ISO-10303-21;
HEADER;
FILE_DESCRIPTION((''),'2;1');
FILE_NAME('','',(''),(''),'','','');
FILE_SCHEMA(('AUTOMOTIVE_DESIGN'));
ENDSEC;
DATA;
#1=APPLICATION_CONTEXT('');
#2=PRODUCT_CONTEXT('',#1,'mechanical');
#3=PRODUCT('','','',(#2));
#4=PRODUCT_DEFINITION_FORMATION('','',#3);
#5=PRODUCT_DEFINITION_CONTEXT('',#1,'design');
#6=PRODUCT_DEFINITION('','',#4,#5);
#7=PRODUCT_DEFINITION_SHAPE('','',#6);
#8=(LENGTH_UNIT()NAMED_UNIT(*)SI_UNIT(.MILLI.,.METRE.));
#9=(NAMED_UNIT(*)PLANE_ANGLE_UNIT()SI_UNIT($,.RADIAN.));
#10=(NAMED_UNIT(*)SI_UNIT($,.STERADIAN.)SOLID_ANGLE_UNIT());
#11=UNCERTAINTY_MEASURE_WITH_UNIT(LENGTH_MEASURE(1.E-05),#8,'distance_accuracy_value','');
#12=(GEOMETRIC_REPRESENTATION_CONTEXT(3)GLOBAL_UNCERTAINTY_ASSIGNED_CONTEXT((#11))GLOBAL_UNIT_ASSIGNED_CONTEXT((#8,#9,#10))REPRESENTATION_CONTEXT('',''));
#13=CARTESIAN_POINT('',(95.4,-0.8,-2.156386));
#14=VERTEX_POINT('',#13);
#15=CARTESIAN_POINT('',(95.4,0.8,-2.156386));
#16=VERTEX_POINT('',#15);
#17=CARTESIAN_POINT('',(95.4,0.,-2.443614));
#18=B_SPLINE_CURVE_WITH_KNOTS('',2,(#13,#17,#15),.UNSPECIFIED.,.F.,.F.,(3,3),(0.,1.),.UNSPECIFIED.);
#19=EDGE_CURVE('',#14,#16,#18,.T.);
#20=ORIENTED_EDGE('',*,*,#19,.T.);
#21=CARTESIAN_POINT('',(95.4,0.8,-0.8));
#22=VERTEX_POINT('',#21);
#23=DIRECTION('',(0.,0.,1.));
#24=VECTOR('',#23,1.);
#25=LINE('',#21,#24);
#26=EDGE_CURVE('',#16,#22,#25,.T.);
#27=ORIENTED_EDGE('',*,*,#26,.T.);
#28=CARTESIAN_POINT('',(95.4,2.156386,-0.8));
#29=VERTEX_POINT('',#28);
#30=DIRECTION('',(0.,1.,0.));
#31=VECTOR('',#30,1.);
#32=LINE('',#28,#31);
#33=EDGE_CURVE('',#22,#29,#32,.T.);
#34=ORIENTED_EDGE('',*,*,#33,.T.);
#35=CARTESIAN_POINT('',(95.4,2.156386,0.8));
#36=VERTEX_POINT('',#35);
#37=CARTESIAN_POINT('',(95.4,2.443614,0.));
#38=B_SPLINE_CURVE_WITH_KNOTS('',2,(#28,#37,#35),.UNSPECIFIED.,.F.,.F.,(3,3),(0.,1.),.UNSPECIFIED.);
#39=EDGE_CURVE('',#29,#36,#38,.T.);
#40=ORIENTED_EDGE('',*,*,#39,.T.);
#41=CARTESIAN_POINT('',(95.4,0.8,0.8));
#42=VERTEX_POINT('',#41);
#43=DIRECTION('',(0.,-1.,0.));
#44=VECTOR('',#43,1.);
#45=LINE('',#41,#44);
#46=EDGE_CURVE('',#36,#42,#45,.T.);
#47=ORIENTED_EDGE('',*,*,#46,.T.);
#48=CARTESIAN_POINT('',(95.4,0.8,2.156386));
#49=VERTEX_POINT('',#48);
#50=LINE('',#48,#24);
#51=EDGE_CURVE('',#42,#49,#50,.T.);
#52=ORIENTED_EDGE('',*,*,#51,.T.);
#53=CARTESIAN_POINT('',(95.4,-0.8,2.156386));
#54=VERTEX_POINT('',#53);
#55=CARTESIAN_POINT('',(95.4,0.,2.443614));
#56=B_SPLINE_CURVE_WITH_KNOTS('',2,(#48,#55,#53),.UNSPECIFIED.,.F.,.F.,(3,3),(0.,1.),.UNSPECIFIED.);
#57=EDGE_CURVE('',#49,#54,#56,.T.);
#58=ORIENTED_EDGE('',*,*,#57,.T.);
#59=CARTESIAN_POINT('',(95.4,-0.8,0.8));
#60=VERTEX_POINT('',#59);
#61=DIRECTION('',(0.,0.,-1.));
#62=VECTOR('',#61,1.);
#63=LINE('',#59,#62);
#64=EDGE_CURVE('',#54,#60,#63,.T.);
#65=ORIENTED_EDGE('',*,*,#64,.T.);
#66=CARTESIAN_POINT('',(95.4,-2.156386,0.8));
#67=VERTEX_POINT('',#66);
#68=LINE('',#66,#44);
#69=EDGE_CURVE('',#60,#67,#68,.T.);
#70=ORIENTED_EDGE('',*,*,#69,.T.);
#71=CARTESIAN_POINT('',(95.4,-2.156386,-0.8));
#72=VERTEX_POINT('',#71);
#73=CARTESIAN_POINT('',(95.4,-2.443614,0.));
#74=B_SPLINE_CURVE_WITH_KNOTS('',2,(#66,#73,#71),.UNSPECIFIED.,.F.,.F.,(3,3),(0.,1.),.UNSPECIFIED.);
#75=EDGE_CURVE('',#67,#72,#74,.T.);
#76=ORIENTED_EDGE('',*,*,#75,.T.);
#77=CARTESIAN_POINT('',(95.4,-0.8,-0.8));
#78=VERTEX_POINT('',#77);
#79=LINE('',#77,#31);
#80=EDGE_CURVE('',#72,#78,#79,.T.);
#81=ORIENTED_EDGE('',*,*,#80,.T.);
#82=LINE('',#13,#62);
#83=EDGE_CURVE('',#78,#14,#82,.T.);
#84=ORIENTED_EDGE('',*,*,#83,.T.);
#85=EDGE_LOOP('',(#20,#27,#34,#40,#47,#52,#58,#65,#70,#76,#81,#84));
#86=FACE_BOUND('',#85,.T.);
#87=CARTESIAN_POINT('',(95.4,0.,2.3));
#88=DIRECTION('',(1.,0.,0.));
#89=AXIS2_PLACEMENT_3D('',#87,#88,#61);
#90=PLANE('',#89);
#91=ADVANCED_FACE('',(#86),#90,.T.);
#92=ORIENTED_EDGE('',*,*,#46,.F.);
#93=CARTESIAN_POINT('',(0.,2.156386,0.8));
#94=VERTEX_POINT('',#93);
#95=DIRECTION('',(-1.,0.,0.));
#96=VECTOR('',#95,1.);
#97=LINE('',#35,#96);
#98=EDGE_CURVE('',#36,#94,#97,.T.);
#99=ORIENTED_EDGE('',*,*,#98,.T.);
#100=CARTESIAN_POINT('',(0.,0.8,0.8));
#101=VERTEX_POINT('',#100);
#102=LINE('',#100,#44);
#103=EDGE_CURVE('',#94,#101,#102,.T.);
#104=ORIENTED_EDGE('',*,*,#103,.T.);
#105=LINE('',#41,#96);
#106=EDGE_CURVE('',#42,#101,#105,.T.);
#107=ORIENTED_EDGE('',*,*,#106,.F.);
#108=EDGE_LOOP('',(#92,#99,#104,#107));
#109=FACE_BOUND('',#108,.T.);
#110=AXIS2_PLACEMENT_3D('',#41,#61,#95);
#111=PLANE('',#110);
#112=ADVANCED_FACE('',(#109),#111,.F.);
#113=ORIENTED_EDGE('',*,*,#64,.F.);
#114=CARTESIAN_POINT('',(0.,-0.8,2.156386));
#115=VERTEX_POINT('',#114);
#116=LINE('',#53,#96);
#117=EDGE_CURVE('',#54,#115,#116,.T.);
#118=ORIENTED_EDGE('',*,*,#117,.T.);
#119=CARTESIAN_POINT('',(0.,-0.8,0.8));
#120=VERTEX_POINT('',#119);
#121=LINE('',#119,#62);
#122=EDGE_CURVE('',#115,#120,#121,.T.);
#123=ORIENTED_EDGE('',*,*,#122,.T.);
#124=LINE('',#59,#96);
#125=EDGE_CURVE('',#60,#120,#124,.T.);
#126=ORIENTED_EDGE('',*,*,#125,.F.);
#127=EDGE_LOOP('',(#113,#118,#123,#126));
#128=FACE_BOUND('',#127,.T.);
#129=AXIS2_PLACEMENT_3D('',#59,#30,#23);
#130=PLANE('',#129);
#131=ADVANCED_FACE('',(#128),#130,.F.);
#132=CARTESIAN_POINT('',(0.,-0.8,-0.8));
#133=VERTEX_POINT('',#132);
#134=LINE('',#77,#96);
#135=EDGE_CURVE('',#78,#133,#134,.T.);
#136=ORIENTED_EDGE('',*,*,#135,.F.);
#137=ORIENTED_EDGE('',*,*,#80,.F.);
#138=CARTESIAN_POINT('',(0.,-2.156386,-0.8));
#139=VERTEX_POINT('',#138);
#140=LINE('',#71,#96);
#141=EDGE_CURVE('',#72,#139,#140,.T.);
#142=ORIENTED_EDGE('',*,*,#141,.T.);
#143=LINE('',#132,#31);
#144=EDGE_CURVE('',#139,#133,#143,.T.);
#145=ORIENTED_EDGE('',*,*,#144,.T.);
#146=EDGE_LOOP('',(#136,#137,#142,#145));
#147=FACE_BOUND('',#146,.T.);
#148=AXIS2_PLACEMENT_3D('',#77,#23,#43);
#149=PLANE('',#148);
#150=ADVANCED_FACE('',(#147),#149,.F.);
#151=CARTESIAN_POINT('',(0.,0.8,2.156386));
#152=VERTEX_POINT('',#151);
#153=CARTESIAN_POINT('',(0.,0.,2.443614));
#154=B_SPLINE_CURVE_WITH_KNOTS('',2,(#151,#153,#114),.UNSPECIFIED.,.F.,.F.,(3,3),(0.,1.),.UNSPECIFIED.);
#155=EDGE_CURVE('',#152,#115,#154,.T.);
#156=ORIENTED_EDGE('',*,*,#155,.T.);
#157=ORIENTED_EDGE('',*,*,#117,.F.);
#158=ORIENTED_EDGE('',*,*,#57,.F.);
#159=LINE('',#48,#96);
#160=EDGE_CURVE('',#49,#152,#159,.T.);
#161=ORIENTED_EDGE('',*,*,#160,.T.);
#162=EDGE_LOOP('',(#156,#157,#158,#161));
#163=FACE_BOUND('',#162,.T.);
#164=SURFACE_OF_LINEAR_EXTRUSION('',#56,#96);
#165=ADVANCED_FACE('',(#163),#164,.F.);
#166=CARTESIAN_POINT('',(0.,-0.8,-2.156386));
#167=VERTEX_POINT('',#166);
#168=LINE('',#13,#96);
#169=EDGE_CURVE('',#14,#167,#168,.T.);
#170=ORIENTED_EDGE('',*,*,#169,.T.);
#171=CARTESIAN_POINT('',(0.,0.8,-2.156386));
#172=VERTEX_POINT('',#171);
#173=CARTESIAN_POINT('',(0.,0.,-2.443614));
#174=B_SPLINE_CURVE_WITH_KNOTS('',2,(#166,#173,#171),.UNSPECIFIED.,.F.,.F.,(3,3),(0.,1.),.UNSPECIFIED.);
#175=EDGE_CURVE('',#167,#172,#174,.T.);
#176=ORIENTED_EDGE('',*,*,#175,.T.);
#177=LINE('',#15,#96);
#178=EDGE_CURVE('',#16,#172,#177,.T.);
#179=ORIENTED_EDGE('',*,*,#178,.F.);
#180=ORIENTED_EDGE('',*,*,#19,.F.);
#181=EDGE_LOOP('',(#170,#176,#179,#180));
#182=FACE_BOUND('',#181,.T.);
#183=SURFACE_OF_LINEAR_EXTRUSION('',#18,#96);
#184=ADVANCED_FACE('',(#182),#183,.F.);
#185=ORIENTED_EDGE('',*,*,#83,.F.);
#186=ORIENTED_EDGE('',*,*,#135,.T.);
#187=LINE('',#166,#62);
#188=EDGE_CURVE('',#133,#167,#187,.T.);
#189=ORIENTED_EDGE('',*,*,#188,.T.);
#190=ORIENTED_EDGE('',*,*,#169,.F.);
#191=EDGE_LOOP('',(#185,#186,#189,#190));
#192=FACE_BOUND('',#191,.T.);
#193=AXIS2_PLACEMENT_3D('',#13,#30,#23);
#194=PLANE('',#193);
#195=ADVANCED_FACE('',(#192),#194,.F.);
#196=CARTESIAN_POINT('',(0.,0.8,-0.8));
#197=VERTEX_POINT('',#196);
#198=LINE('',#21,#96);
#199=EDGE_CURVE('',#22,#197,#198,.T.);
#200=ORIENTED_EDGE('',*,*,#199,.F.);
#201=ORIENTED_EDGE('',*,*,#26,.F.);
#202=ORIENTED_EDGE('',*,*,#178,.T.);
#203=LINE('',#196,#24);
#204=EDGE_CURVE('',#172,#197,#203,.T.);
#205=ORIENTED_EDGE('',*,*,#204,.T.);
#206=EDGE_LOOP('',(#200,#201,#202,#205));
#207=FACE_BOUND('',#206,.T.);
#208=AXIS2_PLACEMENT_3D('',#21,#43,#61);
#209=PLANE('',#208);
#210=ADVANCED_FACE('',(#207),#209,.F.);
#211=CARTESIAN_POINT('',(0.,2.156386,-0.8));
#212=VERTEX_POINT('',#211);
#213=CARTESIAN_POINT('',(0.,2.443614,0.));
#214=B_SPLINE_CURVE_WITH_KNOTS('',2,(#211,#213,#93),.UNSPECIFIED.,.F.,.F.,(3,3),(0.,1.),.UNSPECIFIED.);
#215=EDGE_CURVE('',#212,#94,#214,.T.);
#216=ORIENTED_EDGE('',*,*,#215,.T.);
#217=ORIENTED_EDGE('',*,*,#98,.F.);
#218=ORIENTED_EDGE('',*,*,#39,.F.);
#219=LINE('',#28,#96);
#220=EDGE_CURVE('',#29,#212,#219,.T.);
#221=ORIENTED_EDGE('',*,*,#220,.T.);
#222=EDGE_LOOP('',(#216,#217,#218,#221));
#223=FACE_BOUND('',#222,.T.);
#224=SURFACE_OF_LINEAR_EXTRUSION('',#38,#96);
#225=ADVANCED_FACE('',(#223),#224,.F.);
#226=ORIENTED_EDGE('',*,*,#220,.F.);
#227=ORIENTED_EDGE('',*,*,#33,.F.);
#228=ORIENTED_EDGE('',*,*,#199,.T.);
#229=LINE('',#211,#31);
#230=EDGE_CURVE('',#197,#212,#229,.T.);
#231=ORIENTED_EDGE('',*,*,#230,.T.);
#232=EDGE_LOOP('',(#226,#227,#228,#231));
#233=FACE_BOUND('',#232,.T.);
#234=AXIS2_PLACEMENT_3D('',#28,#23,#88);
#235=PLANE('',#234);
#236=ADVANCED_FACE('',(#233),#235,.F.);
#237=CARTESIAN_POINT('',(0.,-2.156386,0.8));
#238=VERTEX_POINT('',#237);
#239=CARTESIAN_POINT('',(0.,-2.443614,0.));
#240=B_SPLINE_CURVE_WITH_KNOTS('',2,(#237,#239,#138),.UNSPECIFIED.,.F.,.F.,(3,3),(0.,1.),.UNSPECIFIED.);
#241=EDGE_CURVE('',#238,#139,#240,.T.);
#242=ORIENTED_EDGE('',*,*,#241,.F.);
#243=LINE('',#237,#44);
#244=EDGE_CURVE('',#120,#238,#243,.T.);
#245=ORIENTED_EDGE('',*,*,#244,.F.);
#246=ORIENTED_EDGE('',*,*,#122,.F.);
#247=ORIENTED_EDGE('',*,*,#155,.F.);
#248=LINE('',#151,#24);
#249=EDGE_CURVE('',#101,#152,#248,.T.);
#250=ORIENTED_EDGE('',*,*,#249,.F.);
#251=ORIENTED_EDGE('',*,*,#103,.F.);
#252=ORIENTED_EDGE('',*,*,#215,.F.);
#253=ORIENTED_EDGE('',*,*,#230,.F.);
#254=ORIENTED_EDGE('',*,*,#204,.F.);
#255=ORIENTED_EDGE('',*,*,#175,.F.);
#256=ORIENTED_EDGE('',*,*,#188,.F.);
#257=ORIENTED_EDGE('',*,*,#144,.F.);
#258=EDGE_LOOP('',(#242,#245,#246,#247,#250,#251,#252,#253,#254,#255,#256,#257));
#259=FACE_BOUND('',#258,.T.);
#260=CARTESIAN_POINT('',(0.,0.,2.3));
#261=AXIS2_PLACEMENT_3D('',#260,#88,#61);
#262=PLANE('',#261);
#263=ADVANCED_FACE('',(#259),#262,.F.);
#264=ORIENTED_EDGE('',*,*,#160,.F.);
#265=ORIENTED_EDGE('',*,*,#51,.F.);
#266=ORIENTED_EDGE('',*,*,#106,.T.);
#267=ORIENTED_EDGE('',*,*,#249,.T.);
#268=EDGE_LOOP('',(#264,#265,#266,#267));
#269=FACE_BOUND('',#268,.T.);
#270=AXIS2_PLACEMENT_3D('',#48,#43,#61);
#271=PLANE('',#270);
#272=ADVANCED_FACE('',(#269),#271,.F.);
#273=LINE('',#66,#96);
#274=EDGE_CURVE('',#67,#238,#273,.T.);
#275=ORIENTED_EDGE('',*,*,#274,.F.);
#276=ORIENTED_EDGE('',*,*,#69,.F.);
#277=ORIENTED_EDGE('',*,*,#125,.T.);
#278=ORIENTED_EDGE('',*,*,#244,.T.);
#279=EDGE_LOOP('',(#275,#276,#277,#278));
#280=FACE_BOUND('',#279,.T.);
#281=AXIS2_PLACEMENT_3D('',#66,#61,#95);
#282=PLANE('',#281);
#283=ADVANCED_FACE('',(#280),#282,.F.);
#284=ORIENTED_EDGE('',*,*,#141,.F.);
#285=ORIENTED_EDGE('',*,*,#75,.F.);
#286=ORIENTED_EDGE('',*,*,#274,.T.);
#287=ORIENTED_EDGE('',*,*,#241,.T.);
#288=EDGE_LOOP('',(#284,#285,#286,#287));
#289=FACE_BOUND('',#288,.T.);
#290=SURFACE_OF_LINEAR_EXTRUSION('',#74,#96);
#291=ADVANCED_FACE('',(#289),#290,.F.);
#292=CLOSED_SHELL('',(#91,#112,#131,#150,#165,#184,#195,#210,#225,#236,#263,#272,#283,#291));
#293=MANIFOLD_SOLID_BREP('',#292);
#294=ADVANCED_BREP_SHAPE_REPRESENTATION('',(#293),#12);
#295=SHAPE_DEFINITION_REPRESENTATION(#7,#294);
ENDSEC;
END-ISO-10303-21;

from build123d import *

# Parameters (mm, degrees)
BOSS_EXTRUDE1_DEPTH = 95.4


with BuildPart() as part:
    # Sketch1 → Boss-Extrude1 (new body)
    with BuildSketch(Plane(origin=(0, 0, 0), x_dir=(0, 0, -1), z_dir=(1, 0, 0))):
        with BuildLine():
            Line((-2.156385865, 0.8), (-0.8, 0.8))
            Line((-0.8, 0.8), (-0.8, 2.156385865))
            add(Edge.make_bspline(
                [(-0.8, 2.156385865), (0, 2.443614135), (0.8, 2.156385865)],
                knots=[0, 0, 0, 1, 1, 1], degree=2))
            Line((0.8, 2.156385865), (0.8, 0.8))
            Line((0.8, 0.8), (2.156385865, 0.8))
            add(Edge.make_bspline(
                [(2.156385865, 0.8), (2.443614135, 0), (2.156385865, -0.8)],
                knots=[0, 0, 0, 1, 1, 1], degree=2))
            Line((2.156385865, -0.8), (0.8, -0.8))
            Line((0.8, -0.8), (0.8, -2.156385865))
            add(Edge.make_bspline(
                [(0.8, -2.156385865), (0, -2.443614135), (-0.8, -2.156385865)],
                knots=[0, 0, 0, 1, 1, 1], degree=2))
            Line((-0.8, -2.156385865), (-0.8, -0.8))
            Line((-0.8, -0.8), (-2.156385865, -0.8))
            add(Edge.make_bspline(
                [(-2.156385865, -0.8), (-2.443614135, 0), (-2.156385865, 0.8)],
                knots=[0, 0, 0, 1, 1, 1], degree=2))
        make_face()
    extrude(amount=BOSS_EXTRUDE1_DEPTH)


solid = part.part
